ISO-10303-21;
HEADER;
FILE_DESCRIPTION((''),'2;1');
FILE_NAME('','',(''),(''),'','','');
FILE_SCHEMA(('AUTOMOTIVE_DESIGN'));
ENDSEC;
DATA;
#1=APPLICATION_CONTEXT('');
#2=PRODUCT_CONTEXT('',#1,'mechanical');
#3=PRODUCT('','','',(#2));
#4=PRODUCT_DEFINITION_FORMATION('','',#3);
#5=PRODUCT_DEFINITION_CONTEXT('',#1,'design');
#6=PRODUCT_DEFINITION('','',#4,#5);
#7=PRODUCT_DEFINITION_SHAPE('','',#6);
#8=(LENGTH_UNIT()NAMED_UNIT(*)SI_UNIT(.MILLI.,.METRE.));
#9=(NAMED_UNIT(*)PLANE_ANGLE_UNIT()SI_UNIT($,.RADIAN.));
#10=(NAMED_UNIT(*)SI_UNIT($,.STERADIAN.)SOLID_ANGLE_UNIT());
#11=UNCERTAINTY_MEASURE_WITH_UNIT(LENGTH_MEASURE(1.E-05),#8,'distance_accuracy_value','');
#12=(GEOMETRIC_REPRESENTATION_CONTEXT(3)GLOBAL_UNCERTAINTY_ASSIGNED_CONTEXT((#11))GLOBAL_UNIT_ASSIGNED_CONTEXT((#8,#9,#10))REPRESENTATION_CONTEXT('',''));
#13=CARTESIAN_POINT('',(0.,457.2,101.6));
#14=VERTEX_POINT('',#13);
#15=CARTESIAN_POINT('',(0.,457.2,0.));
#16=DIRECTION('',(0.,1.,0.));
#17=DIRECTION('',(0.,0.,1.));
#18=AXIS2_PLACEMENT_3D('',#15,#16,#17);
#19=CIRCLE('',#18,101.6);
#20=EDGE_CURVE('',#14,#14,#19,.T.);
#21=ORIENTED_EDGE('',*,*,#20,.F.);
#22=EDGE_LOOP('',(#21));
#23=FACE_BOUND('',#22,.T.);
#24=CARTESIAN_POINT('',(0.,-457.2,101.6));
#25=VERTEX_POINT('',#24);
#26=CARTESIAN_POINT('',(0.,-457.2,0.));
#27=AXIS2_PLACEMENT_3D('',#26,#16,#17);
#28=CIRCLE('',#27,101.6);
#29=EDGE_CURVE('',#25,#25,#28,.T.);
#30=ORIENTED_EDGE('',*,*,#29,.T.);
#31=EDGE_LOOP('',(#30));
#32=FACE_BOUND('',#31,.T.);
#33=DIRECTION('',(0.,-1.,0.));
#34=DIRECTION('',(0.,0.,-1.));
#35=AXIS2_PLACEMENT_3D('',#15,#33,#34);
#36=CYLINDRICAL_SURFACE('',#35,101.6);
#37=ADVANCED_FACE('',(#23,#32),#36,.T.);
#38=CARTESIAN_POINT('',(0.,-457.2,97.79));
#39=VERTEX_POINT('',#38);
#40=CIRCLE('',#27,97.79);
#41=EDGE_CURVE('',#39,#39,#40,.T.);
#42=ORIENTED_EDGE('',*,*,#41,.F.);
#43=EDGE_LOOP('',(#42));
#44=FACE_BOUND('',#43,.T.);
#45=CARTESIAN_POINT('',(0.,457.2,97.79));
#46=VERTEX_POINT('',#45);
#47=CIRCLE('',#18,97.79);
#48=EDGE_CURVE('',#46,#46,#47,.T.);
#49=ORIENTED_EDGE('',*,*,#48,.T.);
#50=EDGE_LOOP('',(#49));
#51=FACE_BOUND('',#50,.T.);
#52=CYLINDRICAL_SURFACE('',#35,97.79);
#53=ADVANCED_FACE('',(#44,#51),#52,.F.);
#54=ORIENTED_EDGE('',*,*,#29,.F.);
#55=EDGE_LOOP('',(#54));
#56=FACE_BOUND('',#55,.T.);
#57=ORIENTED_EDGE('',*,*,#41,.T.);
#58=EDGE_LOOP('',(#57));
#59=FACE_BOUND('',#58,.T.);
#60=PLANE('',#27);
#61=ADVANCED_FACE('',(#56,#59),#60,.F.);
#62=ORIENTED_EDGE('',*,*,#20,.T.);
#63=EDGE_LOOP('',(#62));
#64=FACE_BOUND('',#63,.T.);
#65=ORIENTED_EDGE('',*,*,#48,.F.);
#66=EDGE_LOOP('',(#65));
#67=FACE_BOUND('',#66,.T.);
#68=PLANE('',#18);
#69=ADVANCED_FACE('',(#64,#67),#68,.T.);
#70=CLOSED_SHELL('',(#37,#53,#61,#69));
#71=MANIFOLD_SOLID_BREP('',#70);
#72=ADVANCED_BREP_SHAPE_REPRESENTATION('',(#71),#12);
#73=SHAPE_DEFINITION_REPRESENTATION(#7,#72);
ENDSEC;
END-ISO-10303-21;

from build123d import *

# Parameters (mm, degrees)
SKETCH1_R           = 101.6
SKETCH1_R_2         = 97.79
BOSS_EXTRUDE1_DEPTH = 457.2


with BuildPart() as part:
    # Sketch1 → Boss-Extrude1 (new, symmetric)
    with BuildSketch(Plane(origin=(0, 0, 0), x_dir=(1, 0, 0), z_dir=(0, 1, 0))):
        with Locations(Location((0, 0, 0), (0, 0, 270))):
            Circle(SKETCH1_R)
        with Locations(Location((0, 0, 0), (0, 0, 270))):
            Circle(SKETCH1_R_2, mode=Mode.SUBTRACT)
    extrude(amount=BOSS_EXTRUDE1_DEPTH, both=True)


solid = part.part
